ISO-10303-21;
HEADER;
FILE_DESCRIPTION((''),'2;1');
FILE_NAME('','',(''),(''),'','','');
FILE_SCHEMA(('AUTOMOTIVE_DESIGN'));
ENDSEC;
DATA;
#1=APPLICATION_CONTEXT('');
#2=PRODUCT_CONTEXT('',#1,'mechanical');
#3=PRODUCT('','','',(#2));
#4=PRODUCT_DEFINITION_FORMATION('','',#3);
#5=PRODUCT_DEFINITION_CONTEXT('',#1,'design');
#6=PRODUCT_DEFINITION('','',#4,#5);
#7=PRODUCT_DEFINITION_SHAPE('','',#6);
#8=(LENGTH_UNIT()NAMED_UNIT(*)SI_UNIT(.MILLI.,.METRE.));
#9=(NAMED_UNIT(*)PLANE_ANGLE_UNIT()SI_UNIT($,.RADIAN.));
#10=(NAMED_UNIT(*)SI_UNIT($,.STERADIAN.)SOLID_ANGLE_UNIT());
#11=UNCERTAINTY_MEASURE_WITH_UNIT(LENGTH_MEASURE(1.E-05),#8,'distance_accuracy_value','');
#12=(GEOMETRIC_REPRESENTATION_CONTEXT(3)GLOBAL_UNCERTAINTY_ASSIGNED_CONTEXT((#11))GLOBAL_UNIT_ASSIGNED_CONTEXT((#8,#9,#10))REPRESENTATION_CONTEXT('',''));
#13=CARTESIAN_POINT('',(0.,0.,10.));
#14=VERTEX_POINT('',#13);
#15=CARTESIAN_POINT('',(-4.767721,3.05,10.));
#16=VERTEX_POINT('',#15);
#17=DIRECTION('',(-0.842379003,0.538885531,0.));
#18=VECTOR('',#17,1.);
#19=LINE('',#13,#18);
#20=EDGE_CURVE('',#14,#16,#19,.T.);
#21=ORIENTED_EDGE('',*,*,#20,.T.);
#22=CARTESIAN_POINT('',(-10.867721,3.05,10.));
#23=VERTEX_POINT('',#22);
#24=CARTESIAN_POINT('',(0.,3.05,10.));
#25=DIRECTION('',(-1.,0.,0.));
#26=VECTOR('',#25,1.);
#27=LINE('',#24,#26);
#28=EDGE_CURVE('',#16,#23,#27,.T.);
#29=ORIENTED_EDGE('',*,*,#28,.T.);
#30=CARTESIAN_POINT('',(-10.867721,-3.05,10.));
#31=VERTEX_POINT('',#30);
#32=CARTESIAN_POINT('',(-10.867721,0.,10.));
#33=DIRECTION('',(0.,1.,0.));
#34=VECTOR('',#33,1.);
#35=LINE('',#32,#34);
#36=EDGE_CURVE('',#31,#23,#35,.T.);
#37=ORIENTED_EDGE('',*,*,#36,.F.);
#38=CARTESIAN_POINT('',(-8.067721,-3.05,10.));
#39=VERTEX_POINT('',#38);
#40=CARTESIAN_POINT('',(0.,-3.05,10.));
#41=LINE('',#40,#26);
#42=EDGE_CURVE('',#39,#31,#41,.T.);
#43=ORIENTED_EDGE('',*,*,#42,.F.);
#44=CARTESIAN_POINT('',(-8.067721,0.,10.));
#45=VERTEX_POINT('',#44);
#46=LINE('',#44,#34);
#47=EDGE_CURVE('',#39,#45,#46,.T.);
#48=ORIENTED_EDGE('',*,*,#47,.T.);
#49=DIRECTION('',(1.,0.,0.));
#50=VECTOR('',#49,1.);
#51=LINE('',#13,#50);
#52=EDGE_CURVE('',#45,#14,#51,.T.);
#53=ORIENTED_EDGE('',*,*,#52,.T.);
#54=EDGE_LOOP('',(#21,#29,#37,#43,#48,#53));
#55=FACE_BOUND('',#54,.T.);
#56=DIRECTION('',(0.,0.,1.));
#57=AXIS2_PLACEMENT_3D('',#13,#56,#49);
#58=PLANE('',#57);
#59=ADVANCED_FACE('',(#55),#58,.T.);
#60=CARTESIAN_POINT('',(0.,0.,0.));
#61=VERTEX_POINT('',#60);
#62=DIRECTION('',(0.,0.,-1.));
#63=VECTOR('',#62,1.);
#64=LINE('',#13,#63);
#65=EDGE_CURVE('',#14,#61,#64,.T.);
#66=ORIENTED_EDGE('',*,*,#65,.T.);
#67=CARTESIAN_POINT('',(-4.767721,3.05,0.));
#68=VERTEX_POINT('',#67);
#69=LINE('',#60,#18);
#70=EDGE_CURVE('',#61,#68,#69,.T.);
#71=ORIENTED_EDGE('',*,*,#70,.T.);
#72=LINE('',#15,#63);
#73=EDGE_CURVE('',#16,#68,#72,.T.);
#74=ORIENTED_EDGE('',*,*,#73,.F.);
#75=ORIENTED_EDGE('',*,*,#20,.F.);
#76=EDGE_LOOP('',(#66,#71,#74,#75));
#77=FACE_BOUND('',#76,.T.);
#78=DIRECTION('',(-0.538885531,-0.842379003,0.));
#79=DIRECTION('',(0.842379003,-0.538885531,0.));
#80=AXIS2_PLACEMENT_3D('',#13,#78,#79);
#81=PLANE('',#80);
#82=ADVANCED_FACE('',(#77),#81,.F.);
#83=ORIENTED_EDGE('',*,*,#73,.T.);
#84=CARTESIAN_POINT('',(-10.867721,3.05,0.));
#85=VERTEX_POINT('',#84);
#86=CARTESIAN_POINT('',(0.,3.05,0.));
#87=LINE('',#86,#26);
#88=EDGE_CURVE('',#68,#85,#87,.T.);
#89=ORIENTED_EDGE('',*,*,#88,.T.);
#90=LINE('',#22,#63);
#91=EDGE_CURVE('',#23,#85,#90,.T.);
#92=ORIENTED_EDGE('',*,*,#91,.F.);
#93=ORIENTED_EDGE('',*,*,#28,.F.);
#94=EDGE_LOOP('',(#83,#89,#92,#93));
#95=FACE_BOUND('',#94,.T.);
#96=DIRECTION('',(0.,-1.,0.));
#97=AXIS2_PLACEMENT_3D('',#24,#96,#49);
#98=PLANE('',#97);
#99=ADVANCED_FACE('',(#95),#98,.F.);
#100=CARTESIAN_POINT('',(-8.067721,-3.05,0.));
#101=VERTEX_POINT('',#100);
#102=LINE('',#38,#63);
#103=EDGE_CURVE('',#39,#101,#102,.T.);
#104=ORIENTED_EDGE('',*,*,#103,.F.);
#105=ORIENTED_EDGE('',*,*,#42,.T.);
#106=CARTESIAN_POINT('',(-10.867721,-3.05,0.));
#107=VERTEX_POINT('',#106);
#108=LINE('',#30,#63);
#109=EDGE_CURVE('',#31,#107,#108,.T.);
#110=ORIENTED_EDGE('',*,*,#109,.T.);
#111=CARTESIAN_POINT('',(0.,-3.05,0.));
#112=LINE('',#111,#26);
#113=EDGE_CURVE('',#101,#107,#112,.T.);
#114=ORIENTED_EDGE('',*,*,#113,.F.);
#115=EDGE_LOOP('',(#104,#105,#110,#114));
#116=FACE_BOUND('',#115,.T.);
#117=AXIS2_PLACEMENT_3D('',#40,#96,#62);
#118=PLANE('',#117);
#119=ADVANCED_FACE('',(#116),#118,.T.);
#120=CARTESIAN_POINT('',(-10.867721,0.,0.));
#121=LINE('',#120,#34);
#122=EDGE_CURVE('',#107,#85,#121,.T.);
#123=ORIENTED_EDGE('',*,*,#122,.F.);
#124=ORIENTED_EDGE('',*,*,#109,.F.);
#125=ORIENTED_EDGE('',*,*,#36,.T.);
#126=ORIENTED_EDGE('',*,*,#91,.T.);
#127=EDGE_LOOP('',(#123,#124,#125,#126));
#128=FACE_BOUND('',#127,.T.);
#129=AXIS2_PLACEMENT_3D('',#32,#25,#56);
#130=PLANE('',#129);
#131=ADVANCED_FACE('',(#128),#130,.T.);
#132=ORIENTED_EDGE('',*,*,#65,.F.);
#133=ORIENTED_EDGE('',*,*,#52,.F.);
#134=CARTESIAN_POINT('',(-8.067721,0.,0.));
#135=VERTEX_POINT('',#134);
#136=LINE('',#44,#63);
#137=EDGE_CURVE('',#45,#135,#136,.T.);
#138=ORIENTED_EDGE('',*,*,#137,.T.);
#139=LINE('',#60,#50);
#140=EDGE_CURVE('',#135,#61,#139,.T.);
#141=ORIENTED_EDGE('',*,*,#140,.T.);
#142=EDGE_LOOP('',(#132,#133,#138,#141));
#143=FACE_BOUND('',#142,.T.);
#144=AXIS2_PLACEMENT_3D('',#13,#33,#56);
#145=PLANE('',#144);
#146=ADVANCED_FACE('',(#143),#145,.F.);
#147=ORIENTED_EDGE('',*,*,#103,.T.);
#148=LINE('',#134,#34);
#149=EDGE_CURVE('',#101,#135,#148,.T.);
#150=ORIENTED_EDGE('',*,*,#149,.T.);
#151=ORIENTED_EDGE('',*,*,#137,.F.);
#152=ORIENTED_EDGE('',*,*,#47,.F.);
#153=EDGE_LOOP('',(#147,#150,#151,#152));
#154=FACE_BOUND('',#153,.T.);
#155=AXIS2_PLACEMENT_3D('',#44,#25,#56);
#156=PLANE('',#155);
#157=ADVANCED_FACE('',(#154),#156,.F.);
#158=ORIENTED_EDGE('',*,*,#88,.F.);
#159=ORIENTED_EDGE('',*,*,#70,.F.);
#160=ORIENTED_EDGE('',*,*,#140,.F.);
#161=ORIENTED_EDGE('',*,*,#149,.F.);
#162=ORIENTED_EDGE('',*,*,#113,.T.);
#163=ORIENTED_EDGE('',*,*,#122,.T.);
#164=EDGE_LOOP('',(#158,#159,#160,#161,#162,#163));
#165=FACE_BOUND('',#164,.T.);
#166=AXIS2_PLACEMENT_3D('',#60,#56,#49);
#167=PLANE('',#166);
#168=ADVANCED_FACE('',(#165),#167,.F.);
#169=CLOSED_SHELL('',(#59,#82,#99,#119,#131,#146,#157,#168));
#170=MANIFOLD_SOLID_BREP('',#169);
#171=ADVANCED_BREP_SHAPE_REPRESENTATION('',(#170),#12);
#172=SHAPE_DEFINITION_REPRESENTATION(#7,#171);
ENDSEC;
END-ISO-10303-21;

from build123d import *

# Parameters (mm, degrees)
SALIENTE_EXTRUIR1_DEPTH = 10


with BuildPart() as part:
    # Croquis1 → Saliente-Extruir1 (new body)
    with BuildSketch(Plane(origin=(0, 0, 0), x_dir=(0, 1, 0), z_dir=(0, 0, 1))):
        Polygon((3.05, 8.067721178), (0, 8.067721178), (0, 0), (3.05, 4.767721178), align=None)
        Polygon((-3.05, 10.867721178), (-3.05, 8.067721178), (0, 8.067721178), (3.05, 8.067721178), (3.05, 10.867721178), align=None)
    extrude(amount=SALIENTE_EXTRUIR1_DEPTH)


solid = part.part
